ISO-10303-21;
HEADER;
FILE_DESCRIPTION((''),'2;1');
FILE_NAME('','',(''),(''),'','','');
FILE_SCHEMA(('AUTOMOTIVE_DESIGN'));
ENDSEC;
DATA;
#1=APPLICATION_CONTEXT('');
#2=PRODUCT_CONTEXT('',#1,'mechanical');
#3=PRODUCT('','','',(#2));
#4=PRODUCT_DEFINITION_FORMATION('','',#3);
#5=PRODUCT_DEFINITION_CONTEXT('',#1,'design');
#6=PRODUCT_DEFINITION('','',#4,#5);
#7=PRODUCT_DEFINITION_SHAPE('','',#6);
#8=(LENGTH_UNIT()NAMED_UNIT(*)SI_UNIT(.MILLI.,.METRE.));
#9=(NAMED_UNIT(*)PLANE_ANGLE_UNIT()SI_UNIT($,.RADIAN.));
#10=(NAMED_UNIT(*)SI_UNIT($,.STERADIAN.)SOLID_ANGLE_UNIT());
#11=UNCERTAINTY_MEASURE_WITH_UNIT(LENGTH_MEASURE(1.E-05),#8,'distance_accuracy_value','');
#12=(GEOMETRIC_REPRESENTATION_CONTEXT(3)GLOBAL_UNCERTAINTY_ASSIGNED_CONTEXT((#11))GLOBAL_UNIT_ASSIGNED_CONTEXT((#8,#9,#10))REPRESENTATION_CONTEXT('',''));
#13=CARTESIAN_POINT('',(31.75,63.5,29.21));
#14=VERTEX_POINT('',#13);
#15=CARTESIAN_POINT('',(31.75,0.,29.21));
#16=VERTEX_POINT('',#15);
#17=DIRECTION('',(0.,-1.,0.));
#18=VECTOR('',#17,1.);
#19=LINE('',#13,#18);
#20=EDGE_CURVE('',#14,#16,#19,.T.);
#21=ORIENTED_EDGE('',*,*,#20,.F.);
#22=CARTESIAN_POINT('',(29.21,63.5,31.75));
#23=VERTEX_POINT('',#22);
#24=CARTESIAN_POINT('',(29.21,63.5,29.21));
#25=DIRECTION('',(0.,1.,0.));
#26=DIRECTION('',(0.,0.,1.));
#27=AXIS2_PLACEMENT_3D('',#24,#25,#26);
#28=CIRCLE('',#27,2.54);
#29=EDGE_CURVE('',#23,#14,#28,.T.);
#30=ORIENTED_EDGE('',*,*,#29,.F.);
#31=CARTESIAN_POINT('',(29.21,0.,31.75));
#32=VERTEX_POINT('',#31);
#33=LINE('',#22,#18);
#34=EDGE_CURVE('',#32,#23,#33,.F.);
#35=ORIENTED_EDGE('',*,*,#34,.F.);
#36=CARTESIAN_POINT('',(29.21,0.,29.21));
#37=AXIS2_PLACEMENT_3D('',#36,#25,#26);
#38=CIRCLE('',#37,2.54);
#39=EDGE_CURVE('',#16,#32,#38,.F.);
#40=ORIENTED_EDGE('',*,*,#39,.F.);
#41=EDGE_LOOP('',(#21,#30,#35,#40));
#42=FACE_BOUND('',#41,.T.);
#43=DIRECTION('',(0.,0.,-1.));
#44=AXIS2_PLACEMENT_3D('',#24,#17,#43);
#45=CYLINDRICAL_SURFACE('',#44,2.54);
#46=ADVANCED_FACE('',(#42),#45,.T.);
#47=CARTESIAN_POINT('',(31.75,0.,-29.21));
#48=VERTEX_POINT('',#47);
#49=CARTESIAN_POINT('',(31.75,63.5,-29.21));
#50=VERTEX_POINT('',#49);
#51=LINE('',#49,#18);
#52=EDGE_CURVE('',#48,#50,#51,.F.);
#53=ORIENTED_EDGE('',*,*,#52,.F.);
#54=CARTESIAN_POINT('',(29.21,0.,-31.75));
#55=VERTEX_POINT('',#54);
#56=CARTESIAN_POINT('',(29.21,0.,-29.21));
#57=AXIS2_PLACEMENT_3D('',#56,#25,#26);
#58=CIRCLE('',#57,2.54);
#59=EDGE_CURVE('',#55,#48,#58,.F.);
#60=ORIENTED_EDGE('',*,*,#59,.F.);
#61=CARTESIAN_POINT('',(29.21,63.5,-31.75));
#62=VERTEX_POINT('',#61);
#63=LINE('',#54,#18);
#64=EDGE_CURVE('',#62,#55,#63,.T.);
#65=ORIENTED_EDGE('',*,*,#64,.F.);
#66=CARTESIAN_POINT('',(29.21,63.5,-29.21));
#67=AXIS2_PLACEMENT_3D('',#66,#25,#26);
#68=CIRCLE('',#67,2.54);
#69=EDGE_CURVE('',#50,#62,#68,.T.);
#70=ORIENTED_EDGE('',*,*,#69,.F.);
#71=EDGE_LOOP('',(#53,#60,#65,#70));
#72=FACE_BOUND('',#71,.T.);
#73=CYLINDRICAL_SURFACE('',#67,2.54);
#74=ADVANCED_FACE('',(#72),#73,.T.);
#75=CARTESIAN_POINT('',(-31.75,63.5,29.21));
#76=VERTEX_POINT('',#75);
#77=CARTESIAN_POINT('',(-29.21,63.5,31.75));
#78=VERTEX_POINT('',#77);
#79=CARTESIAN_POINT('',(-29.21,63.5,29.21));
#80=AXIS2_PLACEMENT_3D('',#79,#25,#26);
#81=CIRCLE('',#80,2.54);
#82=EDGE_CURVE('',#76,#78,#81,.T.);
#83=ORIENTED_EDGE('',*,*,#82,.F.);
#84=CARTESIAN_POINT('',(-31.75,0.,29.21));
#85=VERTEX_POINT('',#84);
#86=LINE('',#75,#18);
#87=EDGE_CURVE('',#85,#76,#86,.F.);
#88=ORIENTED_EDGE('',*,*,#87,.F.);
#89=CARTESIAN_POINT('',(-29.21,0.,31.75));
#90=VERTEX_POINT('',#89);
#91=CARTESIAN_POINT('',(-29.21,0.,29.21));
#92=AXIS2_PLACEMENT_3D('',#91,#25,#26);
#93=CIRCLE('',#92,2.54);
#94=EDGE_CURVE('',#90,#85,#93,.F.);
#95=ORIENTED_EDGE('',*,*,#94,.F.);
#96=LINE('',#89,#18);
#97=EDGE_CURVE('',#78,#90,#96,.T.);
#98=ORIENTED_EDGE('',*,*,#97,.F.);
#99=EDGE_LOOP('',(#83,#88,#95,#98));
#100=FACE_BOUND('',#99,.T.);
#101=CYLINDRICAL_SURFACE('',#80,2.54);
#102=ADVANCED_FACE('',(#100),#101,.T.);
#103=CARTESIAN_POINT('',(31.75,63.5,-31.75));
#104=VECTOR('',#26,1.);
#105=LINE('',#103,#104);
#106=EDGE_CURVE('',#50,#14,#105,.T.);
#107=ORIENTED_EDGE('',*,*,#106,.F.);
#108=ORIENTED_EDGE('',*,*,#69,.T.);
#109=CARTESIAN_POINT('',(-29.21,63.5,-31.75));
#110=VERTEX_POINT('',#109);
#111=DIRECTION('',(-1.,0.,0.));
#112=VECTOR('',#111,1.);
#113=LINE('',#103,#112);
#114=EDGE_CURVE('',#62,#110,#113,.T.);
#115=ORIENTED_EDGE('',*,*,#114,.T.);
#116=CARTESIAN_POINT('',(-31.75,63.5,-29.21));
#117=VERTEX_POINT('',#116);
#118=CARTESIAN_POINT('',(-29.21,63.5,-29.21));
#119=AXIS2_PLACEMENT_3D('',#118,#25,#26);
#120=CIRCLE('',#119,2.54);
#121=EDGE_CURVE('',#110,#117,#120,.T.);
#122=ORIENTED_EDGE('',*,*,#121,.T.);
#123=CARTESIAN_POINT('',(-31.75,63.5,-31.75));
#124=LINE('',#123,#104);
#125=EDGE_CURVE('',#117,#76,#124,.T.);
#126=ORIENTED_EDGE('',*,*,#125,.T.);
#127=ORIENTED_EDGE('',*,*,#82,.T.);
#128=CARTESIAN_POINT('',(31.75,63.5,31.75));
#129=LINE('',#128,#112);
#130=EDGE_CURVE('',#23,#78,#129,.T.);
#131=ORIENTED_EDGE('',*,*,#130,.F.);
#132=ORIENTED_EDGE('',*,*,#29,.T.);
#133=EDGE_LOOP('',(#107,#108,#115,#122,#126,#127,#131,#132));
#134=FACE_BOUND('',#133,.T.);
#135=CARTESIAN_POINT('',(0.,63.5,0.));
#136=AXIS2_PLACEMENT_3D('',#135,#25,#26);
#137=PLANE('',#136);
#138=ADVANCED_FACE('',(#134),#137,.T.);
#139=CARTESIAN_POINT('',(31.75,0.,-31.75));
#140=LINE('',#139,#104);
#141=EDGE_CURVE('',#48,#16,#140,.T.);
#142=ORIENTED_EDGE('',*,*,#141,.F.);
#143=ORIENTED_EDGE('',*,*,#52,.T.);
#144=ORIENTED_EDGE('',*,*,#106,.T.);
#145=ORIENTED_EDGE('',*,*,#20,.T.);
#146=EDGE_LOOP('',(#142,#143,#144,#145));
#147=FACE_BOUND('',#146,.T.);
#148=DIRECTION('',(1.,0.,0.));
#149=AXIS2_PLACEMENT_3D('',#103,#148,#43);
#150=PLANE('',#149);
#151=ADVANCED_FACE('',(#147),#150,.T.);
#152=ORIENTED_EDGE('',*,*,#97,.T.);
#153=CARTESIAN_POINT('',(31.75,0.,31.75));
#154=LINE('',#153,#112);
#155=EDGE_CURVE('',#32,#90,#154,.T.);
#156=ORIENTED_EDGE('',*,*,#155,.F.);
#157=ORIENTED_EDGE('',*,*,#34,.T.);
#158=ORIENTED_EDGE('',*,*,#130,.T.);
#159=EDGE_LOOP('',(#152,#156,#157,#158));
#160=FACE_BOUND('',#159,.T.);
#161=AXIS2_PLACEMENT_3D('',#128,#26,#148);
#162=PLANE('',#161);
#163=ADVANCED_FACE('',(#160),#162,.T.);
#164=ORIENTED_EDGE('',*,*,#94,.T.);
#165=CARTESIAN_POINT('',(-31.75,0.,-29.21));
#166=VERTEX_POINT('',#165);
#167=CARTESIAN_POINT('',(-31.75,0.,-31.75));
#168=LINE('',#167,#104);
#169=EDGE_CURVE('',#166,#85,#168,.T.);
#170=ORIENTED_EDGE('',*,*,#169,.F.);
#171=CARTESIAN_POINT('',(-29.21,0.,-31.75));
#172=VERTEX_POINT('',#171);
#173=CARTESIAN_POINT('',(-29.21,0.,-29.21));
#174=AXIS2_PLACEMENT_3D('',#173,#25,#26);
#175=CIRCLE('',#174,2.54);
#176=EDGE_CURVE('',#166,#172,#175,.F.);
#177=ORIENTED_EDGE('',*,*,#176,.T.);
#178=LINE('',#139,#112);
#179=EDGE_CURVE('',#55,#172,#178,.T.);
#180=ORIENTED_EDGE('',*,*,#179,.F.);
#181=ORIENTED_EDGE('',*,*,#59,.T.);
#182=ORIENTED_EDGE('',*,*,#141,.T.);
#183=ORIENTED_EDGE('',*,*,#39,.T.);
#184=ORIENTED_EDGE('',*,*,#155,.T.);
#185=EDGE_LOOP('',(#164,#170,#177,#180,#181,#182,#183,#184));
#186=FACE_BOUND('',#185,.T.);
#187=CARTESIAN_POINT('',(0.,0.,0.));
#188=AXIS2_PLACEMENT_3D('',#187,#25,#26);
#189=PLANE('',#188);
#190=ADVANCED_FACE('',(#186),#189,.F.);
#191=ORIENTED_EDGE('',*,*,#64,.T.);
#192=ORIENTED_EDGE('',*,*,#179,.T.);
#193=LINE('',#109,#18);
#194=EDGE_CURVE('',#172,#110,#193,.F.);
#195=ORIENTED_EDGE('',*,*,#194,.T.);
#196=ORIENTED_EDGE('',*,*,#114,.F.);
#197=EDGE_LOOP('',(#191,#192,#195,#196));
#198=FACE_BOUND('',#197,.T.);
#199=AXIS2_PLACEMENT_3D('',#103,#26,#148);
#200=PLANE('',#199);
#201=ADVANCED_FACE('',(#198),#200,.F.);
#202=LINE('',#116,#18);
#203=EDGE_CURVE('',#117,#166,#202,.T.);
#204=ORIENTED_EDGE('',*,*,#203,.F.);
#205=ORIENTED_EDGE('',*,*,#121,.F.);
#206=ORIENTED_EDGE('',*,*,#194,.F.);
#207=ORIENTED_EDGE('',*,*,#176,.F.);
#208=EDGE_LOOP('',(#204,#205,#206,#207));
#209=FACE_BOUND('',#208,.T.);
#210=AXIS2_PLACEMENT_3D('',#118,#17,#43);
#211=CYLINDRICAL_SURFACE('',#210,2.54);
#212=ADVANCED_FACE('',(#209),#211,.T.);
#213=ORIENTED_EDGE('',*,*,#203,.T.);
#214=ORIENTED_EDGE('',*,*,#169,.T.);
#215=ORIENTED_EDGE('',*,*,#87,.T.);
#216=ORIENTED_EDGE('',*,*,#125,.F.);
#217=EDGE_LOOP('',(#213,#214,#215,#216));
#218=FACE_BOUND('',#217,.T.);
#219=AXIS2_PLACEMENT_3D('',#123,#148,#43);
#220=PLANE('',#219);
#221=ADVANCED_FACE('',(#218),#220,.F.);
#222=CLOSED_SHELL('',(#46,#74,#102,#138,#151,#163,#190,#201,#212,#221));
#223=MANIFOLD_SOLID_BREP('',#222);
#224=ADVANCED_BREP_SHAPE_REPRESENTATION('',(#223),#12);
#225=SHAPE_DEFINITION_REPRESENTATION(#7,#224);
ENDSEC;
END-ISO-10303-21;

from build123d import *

# Parameters (mm, degrees)
SKETCH1_W           = 63.5
SKETCH1_H           = 63.5
BOSS_EXTRUDE1_DEPTH = 63.5
FILLET1_R           = 2.54


with BuildPart() as part:
    # Sketch1 → Boss-Extrude1 (new body)
    with BuildSketch(Plane(origin=(0, 0, 0), x_dir=(1, 0, 0), z_dir=(0, 1, 0))):
        Rectangle(SKETCH1_W, SKETCH1_H)
    extrude(amount=BOSS_EXTRUDE1_DEPTH)

    # Fillet1
    fillet1_edges = [part.edges().sort_by_distance(p)[0] for p in [
        (31.75, 31.75, 31.75),
        (31.75, 31.75, -31.75),
        (-31.75, 31.75, -31.75),
        (-31.75, 31.75, 31.75),
    ]]
    fillet(fillet1_edges, radius=FILLET1_R)


solid = part.part
